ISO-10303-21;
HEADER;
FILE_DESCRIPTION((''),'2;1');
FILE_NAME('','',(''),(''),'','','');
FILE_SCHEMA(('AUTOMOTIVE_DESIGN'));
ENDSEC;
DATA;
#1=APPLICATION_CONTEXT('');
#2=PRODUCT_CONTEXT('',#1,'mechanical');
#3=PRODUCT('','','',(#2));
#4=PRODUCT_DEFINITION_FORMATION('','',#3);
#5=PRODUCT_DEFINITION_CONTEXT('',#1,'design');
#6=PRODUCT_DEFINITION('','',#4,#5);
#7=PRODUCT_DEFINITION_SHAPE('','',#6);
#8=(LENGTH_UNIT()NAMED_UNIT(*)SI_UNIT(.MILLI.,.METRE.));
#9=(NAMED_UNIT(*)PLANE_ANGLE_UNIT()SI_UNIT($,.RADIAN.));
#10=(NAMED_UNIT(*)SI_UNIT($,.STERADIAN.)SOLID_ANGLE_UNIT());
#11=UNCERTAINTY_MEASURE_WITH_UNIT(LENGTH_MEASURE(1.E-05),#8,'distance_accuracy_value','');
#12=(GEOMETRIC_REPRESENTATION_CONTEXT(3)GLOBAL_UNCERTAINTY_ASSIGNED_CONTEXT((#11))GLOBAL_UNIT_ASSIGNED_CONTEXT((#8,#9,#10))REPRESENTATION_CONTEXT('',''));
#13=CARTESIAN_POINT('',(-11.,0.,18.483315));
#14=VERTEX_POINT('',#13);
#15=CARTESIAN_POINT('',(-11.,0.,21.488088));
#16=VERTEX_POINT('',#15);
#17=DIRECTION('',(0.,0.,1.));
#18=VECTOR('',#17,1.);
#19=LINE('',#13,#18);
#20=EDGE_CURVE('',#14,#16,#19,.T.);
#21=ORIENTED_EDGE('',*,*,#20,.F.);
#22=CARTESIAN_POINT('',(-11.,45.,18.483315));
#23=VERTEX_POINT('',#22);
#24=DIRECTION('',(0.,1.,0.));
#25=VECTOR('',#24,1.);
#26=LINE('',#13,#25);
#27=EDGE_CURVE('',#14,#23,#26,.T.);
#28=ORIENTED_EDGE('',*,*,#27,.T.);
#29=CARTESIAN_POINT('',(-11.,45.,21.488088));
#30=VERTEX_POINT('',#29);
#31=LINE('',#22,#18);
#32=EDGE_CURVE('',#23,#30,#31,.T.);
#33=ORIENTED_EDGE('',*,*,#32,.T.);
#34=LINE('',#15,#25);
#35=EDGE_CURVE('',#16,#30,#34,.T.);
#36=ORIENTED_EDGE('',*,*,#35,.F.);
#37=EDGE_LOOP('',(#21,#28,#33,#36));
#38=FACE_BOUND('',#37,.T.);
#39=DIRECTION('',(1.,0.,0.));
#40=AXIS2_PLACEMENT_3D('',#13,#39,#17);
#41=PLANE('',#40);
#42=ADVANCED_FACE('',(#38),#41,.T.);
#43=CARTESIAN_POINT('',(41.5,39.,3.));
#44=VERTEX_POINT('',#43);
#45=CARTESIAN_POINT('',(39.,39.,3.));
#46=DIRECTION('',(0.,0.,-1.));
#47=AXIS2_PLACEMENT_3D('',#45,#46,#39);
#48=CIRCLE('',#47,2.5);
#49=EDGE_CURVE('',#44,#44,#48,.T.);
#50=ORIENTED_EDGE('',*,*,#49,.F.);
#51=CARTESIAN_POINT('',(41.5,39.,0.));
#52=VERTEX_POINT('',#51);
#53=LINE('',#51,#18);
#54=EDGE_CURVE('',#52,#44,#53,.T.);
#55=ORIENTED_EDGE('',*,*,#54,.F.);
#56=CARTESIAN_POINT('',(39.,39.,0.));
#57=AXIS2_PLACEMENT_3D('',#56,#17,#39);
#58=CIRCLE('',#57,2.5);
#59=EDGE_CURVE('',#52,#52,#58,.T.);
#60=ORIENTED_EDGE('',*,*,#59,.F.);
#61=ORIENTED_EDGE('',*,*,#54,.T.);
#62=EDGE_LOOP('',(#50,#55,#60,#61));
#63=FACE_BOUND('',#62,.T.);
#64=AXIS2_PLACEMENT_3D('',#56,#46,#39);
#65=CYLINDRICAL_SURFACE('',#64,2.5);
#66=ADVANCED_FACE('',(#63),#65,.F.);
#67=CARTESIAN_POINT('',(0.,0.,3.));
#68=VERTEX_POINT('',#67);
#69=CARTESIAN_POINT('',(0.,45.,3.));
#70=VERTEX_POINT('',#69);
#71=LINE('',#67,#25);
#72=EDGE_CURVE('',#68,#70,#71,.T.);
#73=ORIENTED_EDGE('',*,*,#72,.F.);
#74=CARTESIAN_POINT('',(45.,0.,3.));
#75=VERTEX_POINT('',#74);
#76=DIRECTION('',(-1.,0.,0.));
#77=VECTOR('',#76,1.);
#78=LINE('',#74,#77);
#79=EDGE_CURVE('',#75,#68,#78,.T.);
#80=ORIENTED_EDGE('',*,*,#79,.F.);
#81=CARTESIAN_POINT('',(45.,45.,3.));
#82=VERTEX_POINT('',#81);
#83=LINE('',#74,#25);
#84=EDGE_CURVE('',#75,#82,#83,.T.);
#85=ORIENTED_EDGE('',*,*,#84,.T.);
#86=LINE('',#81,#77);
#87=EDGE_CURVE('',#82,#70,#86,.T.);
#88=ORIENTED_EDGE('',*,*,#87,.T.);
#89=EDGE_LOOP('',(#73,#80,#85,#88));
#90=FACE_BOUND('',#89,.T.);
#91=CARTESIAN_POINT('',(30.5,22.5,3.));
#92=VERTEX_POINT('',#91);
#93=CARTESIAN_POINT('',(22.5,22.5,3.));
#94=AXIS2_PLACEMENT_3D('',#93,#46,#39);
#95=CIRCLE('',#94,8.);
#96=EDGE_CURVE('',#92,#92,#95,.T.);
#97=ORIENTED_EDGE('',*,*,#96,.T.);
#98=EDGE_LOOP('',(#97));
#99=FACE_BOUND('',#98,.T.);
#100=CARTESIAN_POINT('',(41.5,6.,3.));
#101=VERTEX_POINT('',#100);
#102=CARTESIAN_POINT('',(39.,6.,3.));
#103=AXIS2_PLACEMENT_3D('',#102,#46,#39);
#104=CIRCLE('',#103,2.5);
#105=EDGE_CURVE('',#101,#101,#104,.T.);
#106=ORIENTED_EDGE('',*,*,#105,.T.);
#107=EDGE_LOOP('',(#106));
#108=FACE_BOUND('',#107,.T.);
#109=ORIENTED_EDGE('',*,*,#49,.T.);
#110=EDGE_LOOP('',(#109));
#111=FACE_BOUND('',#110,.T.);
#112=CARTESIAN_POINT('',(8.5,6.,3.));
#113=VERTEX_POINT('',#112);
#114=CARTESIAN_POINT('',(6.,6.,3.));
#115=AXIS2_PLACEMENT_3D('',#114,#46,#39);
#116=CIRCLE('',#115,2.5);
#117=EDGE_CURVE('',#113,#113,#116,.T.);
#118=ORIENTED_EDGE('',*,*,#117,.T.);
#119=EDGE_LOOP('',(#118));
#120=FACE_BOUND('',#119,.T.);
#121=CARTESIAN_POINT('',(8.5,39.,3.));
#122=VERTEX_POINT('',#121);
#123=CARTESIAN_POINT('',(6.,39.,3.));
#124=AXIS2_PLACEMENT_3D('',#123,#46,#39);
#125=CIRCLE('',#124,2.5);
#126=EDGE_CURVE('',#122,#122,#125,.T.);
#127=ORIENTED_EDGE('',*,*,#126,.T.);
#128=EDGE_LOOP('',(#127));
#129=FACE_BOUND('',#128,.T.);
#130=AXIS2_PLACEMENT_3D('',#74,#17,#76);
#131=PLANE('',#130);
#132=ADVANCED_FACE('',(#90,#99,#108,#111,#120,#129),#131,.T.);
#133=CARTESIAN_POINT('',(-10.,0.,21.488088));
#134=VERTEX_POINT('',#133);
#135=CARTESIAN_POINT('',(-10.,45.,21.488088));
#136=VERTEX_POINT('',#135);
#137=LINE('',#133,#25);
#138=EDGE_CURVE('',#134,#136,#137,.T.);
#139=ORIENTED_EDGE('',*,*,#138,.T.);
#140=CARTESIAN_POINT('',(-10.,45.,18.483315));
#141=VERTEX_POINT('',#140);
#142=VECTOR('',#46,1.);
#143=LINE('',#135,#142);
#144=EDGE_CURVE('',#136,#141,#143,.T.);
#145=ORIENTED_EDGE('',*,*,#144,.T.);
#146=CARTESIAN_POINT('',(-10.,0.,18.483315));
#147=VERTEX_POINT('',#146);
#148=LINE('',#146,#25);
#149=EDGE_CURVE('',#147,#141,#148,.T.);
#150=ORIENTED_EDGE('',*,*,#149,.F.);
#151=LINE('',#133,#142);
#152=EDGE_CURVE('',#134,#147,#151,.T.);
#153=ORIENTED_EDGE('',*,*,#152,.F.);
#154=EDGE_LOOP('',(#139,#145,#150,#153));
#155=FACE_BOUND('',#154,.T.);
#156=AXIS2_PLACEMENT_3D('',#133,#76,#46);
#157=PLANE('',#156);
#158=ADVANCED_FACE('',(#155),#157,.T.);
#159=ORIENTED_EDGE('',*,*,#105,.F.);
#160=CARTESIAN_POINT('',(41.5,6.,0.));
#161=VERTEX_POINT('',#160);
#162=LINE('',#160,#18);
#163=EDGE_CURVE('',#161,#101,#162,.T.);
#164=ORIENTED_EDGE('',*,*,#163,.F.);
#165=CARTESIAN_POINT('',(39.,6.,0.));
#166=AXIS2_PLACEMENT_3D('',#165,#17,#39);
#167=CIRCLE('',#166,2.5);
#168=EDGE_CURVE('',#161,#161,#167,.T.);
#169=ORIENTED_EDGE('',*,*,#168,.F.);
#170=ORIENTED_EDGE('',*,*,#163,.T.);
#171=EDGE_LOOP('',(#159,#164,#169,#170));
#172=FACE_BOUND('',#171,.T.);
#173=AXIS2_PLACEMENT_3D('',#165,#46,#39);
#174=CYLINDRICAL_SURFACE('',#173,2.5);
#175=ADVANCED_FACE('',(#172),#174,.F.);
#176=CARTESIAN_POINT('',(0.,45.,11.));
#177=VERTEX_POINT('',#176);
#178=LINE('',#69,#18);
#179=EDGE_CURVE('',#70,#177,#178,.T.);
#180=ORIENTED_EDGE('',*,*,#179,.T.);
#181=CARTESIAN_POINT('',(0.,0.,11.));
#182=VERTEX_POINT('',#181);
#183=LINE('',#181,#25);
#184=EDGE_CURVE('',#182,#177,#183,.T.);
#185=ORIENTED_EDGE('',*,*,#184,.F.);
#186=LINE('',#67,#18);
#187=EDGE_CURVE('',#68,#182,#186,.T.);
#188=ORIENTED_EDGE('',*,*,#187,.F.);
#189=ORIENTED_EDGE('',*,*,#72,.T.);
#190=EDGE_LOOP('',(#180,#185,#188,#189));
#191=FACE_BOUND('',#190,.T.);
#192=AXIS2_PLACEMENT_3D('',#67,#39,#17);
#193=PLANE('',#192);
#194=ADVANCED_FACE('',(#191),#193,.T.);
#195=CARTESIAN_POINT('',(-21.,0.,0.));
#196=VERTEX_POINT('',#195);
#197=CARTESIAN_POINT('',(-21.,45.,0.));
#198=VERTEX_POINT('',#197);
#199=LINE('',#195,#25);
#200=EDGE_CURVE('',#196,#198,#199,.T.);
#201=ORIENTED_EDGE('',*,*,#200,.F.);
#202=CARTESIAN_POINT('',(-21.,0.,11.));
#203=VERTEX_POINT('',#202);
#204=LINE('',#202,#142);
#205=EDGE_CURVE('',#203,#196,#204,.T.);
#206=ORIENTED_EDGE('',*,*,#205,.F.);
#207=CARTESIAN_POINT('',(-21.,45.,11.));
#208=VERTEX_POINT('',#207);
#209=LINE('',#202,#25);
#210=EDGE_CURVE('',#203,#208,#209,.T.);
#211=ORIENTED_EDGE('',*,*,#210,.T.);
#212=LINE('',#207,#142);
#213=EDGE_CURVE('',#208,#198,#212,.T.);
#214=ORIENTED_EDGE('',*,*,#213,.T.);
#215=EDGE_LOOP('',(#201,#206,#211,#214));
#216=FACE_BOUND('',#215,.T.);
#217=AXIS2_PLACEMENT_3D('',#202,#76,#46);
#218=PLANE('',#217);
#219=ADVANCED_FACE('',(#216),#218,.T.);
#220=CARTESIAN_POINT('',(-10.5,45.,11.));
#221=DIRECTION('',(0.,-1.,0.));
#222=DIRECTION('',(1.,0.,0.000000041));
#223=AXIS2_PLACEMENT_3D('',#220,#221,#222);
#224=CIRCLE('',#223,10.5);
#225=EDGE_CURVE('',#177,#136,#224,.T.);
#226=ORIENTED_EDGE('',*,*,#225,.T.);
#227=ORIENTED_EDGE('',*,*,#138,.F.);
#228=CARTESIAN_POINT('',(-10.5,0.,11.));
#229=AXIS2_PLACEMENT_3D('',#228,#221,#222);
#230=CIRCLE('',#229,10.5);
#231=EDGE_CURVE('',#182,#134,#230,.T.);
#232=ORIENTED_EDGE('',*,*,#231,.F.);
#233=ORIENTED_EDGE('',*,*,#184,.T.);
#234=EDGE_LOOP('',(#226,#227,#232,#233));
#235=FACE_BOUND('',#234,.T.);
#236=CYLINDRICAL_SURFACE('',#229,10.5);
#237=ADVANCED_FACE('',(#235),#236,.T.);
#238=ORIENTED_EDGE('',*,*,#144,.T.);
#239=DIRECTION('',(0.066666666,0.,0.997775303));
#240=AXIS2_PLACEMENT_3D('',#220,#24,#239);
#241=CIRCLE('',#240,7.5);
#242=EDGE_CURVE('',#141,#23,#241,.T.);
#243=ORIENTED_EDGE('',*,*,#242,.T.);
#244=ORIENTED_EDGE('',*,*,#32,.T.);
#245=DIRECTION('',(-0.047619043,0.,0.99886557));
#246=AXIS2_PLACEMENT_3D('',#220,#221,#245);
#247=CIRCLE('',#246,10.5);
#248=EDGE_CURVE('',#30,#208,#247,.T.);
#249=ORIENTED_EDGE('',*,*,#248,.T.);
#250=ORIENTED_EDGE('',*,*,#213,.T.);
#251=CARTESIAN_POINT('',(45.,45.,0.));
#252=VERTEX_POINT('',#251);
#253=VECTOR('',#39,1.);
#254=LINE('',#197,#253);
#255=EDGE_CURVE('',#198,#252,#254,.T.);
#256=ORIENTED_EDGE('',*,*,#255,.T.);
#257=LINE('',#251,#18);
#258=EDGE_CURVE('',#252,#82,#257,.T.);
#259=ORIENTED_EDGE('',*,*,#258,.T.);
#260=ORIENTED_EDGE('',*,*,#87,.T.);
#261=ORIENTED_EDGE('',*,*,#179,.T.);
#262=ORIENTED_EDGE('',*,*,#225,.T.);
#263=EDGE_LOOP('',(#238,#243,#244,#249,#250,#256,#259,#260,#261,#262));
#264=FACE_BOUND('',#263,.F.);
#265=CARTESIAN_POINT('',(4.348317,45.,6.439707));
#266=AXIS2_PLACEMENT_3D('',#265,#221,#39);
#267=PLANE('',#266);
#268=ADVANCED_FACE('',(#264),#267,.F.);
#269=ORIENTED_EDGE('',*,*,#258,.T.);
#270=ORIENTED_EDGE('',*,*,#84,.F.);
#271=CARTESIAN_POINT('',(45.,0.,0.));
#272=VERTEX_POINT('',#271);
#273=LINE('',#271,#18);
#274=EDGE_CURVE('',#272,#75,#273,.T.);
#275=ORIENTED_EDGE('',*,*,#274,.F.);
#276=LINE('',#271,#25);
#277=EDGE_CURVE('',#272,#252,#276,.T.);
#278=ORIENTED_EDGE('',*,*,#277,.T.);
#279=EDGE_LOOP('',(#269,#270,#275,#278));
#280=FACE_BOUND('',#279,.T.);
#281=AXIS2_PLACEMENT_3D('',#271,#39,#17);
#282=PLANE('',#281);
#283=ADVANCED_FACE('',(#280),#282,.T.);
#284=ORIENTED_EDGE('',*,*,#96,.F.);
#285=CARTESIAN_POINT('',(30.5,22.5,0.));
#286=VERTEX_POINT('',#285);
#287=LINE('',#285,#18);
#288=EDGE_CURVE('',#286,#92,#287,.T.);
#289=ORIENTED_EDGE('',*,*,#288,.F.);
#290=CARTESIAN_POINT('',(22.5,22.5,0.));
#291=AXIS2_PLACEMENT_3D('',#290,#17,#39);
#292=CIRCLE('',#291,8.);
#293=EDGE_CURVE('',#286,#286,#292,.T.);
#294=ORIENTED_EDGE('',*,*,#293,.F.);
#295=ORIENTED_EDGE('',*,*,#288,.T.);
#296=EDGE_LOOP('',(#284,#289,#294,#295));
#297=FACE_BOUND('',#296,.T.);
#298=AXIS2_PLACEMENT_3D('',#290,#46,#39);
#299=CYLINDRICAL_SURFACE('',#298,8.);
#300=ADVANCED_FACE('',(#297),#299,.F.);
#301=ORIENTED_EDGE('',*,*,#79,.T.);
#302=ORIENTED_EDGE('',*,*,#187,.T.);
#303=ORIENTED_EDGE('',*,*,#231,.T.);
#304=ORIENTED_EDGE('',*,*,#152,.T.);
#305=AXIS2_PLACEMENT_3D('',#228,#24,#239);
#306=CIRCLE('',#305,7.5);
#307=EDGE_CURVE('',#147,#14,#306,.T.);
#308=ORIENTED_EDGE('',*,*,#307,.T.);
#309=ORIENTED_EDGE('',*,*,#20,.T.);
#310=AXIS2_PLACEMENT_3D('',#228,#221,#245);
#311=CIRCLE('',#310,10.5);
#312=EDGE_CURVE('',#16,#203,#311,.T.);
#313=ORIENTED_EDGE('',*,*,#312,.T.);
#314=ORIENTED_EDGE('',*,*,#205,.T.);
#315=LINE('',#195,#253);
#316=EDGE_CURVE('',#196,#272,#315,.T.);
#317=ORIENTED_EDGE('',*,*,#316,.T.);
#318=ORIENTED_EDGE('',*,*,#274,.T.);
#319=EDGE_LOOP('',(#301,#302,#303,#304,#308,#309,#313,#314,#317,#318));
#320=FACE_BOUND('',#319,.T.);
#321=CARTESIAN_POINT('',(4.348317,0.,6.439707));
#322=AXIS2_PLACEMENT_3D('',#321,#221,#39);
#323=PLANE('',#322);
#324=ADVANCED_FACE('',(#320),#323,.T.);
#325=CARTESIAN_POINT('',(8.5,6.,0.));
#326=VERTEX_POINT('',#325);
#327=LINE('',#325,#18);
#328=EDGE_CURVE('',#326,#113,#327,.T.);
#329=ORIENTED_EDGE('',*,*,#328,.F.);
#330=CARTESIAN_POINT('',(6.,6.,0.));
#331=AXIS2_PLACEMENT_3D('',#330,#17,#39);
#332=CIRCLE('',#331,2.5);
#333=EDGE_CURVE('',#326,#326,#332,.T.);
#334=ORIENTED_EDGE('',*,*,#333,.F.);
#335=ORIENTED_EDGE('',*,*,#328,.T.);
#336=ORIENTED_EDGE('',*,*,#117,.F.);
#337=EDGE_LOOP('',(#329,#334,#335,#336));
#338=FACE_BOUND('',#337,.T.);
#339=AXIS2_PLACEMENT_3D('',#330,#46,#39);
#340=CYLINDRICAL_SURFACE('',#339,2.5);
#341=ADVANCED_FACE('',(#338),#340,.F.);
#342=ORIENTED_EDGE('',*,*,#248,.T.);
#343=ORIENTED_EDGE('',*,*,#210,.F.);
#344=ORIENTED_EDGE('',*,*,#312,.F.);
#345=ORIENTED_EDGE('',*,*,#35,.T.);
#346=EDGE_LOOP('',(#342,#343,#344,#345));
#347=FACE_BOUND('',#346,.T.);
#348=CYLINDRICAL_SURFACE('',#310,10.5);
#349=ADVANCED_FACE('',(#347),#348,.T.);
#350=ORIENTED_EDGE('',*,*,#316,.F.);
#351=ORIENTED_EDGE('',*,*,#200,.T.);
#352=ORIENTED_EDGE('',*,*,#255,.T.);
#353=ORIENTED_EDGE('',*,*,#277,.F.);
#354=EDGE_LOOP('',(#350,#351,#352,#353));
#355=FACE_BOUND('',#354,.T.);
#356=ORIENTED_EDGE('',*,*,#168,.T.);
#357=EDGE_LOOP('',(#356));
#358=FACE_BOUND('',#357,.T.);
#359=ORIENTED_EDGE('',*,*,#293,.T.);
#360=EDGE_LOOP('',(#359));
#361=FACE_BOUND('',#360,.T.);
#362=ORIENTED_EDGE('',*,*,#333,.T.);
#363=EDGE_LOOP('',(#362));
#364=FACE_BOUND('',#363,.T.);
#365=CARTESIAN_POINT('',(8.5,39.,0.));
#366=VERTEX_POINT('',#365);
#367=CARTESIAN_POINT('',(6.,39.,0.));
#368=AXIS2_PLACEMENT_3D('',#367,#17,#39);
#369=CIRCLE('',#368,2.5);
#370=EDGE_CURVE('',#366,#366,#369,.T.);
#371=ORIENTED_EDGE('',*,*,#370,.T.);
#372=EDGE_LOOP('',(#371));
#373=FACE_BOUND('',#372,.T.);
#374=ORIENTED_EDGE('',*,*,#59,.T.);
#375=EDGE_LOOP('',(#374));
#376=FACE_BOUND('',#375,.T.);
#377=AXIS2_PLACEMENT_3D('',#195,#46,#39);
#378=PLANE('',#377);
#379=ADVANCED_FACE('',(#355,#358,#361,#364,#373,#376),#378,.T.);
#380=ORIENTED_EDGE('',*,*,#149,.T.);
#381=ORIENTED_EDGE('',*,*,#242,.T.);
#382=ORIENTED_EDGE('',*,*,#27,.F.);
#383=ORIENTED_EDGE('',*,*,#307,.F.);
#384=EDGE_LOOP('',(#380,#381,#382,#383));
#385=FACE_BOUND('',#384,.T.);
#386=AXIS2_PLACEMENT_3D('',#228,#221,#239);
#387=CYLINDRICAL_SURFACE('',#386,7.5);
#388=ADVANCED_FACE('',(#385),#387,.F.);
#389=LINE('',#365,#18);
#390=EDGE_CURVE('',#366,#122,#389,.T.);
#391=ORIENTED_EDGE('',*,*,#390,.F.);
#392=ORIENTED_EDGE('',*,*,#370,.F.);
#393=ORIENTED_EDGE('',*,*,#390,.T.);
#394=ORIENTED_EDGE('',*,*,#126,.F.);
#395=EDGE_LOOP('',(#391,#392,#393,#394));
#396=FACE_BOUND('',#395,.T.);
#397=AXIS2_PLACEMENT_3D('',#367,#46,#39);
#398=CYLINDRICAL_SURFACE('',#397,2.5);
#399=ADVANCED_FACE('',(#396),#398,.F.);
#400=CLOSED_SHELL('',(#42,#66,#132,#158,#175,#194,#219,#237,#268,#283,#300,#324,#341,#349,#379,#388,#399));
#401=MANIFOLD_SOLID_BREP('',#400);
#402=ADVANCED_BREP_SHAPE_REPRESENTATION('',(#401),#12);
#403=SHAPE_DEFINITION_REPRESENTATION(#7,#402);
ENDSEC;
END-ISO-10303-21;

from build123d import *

# Parameters (mm, degrees)
F1_DEPTH = 45
F2_R     = 8
F2_R_2   = 2.5
F3_DEPTH = 10


with BuildPart() as f1:
    # F0 (on Front) → F1 (new body)
    with BuildSketch(Plane.XZ):
        with BuildLine():
            ThreePointArc((-10, 18.483315), (-10.5, 3.5), (-11, 18.483315))
            Line((-11, 18.483315), (-11, 21.488088))
            ThreePointArc((-11, 21.488088), (-18.099342, 18.245688), (-21, 11))
            Line((-21, 11), (-21, 0))
            Line((-21, 0), (45, 0))
            Line((45, 0), (45, 3))
            Line((45, 3), (0, 3))
            Line((0, 3), (0, 11))
            ThreePointArc((0, 11), (-2.900658, 18.245688), (-10, 21.488088))
            Line((-10, 21.488088), (-10, 18.483315))
        make_face()
    extrude(amount=-F1_DEPTH)

    # F2 (on Top) → F3 (cut)
    with BuildSketch(Plane.XY):
        with Locations((22.5, 22.5)):
            Circle(F2_R)
        with Locations((6, 39)):
            Circle(F2_R_2)
        with Locations((39, 39)):
            Circle(F2_R_2)
        with Locations((39, 6)):
            Circle(F2_R_2)
        with Locations((6, 6)):
            Circle(F2_R_2)
    extrude(amount=F3_DEPTH, mode=Mode.SUBTRACT)


solid = f1.part
